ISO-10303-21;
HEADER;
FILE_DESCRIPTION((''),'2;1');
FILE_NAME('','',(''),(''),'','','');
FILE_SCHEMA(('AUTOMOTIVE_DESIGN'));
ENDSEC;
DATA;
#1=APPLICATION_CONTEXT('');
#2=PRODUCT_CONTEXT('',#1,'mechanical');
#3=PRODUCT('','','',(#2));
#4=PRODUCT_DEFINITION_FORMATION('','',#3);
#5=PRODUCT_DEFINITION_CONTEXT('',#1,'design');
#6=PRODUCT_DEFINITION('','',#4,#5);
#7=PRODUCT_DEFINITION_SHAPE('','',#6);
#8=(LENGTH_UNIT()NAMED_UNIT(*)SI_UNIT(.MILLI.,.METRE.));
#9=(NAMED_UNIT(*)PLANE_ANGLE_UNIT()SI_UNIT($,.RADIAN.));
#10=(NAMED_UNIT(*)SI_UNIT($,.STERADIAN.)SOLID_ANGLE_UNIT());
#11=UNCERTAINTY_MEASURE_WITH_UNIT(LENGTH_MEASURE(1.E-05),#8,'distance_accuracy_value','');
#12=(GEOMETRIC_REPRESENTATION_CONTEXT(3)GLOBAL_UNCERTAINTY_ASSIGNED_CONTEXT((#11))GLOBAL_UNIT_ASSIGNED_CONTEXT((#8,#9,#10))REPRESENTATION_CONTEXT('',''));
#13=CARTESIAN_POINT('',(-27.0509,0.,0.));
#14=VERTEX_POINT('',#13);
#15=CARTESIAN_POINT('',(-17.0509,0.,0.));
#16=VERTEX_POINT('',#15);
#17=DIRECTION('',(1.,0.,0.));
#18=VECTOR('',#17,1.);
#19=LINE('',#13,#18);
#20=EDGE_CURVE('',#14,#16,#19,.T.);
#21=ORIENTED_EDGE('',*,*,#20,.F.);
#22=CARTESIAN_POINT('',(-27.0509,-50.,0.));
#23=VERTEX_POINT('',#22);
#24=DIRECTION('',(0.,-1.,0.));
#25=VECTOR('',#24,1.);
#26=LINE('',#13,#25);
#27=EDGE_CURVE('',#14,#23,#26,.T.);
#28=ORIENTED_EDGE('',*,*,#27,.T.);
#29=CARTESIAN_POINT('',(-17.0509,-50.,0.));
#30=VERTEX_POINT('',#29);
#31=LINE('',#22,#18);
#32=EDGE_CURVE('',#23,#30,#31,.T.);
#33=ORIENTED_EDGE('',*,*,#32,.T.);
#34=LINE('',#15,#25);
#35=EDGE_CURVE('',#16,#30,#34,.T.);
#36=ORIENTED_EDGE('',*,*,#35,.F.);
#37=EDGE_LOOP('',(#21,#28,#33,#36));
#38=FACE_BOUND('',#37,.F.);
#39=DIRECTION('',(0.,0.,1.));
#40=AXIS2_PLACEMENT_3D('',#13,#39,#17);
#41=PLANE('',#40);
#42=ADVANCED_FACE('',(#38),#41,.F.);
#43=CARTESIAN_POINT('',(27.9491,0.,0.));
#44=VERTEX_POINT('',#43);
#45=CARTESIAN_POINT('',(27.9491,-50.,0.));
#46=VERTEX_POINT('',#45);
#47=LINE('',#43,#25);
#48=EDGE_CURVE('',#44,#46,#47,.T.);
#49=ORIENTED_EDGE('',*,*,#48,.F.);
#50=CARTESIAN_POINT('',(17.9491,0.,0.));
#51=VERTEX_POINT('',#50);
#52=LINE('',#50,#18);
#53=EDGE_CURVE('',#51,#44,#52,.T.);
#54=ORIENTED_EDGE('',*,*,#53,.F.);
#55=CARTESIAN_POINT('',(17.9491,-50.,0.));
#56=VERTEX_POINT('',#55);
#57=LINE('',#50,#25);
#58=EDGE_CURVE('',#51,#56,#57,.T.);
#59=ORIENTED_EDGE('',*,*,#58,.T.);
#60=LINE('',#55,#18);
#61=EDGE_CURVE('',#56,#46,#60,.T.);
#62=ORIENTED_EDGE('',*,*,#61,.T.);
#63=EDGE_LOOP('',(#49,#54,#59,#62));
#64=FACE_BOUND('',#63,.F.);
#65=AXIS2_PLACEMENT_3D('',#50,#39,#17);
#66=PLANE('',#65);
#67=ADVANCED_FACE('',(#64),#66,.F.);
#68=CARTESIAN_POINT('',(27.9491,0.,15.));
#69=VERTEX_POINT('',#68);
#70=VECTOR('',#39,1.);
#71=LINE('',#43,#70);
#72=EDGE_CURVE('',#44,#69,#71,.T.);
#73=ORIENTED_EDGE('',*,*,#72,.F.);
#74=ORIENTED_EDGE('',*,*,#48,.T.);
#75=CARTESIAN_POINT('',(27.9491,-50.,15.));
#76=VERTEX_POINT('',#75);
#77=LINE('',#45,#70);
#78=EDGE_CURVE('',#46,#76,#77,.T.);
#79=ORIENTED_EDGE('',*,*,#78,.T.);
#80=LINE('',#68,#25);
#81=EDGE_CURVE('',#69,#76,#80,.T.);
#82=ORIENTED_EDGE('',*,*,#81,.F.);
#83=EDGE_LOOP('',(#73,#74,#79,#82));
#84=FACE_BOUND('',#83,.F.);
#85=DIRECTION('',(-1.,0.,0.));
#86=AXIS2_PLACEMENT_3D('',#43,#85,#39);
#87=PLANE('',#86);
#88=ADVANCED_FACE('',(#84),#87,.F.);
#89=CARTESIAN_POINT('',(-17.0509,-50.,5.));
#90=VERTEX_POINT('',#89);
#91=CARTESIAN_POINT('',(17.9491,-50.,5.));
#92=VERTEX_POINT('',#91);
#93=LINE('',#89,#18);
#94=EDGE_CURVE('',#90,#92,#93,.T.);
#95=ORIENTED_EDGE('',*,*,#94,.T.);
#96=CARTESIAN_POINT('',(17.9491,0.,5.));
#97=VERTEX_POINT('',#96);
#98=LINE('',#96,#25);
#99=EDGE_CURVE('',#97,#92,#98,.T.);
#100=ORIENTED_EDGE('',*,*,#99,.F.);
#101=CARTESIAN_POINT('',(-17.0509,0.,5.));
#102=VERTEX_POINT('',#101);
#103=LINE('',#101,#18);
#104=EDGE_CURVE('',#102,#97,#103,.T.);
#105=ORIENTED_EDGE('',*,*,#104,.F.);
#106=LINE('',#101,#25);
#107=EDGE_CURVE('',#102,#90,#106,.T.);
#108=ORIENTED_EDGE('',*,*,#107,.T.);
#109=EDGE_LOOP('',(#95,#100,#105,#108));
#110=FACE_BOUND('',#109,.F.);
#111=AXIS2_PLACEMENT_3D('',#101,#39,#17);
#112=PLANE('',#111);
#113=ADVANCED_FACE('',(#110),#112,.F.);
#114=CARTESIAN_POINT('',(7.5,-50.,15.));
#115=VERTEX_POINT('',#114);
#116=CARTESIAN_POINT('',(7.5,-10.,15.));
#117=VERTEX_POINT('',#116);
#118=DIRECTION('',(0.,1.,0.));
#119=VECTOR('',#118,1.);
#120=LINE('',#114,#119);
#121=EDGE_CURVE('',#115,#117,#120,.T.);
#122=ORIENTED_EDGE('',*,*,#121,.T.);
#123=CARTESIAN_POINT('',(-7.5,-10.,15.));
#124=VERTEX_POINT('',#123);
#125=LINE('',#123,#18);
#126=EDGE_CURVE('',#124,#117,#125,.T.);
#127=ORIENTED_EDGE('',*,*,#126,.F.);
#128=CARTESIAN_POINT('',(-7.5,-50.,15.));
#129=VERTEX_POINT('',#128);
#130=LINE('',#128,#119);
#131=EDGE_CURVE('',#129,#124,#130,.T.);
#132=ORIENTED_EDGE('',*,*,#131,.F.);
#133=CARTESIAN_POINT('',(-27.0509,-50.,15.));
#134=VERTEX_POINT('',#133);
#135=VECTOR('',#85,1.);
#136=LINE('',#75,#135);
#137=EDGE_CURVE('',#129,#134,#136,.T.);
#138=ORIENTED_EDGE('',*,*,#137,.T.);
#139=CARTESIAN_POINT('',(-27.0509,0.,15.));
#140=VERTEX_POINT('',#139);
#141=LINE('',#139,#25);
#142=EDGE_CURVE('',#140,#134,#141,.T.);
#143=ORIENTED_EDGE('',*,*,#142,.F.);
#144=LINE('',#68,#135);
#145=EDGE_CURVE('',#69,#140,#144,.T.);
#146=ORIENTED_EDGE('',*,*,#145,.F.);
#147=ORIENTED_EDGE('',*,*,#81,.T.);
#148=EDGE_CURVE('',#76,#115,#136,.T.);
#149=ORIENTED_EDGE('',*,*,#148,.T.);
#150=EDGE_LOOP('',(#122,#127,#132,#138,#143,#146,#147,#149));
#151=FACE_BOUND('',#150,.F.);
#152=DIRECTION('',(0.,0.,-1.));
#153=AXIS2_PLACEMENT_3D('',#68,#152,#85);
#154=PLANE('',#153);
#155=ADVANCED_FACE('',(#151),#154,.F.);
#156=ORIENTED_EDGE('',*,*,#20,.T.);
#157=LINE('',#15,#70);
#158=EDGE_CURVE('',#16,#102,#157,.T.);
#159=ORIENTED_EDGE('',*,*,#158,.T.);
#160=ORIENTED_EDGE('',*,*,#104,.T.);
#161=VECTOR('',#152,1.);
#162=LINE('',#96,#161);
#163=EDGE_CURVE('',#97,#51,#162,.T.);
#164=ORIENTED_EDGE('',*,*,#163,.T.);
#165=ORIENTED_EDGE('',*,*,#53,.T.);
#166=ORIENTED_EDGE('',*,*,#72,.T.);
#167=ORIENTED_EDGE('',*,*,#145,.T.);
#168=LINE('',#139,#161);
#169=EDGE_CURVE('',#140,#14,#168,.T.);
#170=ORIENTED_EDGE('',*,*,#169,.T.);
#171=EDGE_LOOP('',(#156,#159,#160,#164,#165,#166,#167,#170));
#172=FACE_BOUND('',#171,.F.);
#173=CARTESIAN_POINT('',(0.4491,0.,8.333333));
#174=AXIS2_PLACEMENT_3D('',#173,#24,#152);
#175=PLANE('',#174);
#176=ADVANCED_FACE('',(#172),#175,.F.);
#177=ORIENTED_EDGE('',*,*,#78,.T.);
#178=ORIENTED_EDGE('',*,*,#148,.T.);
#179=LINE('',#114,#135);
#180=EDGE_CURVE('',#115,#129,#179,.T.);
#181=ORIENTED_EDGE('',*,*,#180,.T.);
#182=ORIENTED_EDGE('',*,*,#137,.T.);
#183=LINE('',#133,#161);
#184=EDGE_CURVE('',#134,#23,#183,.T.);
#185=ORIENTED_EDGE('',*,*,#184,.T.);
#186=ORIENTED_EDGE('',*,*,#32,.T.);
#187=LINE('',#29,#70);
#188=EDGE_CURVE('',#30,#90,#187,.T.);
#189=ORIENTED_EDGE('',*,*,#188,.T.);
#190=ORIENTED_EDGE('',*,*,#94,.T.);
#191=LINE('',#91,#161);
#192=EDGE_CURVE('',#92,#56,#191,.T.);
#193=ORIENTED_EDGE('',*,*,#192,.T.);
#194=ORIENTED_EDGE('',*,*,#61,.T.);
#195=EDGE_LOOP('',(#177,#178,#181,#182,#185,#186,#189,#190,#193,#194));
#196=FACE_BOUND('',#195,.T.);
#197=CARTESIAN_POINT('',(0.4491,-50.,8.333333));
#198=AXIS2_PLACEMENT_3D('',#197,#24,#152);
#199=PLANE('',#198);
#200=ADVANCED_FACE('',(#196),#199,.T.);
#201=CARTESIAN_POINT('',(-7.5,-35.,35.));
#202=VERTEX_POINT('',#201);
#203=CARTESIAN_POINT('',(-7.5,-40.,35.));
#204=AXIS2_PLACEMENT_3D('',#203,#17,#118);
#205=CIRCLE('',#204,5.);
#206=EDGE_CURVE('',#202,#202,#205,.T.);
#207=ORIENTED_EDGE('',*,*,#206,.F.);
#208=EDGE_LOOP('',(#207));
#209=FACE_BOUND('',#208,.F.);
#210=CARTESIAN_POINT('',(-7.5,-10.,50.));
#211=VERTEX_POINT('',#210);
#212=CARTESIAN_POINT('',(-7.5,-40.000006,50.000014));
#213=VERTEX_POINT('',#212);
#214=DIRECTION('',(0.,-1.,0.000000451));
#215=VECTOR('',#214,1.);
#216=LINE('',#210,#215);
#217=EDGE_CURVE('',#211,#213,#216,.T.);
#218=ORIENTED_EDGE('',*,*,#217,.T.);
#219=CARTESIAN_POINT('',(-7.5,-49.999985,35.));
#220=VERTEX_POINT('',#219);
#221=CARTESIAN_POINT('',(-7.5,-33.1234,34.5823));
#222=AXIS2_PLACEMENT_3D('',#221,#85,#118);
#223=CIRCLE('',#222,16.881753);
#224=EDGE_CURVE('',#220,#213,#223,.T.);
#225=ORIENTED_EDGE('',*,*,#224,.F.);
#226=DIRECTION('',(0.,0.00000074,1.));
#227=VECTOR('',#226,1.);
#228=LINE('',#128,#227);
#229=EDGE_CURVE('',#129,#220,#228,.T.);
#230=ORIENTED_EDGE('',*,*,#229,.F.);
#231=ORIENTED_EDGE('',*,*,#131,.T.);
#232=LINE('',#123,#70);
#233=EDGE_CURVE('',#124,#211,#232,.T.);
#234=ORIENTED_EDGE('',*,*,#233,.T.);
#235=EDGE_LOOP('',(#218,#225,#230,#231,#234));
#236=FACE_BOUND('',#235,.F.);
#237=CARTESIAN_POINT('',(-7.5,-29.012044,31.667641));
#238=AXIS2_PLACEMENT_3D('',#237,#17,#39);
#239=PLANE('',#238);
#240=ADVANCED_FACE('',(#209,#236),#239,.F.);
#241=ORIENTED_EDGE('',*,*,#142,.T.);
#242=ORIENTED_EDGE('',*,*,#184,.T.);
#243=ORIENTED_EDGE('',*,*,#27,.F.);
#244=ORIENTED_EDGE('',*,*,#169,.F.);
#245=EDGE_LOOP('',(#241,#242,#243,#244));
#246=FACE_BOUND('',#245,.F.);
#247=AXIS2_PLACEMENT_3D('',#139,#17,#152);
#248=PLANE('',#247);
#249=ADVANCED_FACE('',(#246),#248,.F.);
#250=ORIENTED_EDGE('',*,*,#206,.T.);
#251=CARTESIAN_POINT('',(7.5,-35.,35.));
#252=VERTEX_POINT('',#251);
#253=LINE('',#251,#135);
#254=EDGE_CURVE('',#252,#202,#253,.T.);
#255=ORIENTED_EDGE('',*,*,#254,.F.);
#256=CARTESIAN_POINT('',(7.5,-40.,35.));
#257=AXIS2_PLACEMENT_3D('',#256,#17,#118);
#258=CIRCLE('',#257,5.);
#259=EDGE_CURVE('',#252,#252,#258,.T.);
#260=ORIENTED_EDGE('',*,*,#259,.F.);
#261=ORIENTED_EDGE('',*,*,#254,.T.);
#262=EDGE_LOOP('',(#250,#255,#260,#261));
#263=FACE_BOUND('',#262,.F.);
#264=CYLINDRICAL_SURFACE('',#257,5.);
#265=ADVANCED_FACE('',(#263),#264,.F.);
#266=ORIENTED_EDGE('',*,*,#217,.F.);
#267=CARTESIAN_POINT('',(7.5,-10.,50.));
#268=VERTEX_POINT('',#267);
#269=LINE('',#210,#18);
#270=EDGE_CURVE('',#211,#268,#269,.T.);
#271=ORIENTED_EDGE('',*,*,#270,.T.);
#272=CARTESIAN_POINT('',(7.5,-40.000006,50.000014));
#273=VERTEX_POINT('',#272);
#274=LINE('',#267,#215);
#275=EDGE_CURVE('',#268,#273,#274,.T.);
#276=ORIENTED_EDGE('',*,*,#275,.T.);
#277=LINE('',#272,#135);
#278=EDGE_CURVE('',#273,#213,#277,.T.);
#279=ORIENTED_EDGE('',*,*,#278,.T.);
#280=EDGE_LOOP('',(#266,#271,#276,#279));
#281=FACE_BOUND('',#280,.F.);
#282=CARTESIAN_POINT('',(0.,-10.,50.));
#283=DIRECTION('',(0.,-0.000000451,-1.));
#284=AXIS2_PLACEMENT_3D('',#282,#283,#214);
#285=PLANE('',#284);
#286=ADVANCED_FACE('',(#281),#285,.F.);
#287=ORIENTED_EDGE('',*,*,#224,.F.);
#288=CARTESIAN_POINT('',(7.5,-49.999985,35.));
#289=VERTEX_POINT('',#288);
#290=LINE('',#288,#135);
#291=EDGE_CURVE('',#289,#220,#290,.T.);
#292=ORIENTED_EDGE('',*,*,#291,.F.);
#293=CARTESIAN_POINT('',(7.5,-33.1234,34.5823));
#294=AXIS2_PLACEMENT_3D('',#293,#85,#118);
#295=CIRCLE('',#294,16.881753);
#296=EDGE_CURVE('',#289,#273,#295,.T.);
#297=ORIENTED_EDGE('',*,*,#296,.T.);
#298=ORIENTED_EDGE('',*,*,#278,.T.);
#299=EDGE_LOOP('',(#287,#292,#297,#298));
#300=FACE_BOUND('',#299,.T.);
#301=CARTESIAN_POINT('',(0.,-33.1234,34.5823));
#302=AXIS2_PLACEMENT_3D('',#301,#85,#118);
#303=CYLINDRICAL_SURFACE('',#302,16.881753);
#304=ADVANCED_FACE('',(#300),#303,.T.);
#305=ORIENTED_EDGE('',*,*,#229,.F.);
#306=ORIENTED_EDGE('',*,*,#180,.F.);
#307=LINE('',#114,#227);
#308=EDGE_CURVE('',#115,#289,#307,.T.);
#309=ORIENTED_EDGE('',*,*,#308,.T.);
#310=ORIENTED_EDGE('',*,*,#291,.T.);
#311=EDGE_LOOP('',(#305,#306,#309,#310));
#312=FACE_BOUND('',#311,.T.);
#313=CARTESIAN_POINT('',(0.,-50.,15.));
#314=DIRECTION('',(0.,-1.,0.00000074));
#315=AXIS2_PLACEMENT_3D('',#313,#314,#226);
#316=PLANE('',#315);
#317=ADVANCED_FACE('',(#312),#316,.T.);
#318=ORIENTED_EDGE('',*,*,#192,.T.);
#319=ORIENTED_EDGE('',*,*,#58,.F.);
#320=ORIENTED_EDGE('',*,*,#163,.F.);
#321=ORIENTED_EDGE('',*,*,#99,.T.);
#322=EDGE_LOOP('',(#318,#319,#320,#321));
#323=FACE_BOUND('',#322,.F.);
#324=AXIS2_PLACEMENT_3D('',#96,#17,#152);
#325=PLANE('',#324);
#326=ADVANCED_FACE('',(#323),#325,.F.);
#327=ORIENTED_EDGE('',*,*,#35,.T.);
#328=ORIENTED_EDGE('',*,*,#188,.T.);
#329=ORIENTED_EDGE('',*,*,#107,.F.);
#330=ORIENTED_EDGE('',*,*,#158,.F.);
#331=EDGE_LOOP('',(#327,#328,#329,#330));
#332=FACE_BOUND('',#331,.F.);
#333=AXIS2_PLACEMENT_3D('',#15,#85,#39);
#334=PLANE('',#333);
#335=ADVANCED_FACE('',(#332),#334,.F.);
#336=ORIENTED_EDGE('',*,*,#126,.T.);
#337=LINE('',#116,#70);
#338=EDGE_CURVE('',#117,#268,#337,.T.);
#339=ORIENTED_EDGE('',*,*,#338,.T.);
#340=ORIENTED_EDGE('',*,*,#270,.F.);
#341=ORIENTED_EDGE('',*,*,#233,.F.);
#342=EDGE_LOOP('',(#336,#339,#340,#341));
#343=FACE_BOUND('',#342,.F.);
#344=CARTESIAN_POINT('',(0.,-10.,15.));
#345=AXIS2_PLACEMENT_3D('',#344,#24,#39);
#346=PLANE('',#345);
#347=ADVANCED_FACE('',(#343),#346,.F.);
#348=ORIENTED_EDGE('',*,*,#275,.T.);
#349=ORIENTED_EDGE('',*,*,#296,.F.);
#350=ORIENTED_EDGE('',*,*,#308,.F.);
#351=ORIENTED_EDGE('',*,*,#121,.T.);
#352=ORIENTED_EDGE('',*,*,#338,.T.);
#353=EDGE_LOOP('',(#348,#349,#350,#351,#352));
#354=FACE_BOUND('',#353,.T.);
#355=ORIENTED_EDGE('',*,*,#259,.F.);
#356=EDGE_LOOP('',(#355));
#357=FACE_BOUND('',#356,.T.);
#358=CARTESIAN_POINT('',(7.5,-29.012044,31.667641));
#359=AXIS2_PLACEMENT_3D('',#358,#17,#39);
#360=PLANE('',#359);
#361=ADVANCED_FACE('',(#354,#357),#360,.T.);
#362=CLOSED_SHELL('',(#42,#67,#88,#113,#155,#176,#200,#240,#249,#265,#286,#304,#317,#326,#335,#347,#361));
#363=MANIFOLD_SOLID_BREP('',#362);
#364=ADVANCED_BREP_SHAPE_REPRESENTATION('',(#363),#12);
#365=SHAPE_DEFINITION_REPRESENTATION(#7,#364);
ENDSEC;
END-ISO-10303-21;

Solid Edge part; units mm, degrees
sketch "Sketch1" plane through (0, 0, 0) normal (0, -1, 0) x (1, 0, 0)
  line L0 (-17.0509, 0) -> (-17.0509, 5)
  line L1 (-17.0509, 5) -> (17.9491, 5)
  line L2 (17.9491, 5) -> (17.9491, 0)
  line L3 (17.9491, 0) -> (27.9491, 0)
  line L4 (27.9491, 0) -> (27.9491, 15)
  line L5 (27.9491, 15) -> (-27.0509, 15)
  line L6 (-27.0509, 15) -> (-27.0509, 0)
  line L7 (-27.0509, 0) -> (-17.0509, 0)
extrude "Protrusion1" add sketch "Sketch1" along normal blind 50
extrude "ExtrudedCutout_3" [suppressed]
sketch "Sketch2" plane through (0, 0, 0) normal (1, 0, 0) x (0, 1, 0)
  line L0 (-50, 15) -> (-10, 15)
  line L1 (-10, 15) -> (-10, 50)
  line L2 (-10, 50) -> (-40, 50)
  arc A0 (-50, 35) -> (-40, 50) centre (-33.1234, 34.5823) cw
  line L3 (-50, 15) -> (-50, 35)
extrude "ExtrudedProtrusion_6" add sketch "Sketch2" along normal mid plane 15
sketch "Sketch3" plane through (7.5, -30, 32.5) normal (1, 0, 0) x (0, 1, 0)
  circle A0 centre (-10, 2.5) radius 5
extrude "ExtrudedCutout_4" cut sketch "Sketch3" against normal blind 55.8479
